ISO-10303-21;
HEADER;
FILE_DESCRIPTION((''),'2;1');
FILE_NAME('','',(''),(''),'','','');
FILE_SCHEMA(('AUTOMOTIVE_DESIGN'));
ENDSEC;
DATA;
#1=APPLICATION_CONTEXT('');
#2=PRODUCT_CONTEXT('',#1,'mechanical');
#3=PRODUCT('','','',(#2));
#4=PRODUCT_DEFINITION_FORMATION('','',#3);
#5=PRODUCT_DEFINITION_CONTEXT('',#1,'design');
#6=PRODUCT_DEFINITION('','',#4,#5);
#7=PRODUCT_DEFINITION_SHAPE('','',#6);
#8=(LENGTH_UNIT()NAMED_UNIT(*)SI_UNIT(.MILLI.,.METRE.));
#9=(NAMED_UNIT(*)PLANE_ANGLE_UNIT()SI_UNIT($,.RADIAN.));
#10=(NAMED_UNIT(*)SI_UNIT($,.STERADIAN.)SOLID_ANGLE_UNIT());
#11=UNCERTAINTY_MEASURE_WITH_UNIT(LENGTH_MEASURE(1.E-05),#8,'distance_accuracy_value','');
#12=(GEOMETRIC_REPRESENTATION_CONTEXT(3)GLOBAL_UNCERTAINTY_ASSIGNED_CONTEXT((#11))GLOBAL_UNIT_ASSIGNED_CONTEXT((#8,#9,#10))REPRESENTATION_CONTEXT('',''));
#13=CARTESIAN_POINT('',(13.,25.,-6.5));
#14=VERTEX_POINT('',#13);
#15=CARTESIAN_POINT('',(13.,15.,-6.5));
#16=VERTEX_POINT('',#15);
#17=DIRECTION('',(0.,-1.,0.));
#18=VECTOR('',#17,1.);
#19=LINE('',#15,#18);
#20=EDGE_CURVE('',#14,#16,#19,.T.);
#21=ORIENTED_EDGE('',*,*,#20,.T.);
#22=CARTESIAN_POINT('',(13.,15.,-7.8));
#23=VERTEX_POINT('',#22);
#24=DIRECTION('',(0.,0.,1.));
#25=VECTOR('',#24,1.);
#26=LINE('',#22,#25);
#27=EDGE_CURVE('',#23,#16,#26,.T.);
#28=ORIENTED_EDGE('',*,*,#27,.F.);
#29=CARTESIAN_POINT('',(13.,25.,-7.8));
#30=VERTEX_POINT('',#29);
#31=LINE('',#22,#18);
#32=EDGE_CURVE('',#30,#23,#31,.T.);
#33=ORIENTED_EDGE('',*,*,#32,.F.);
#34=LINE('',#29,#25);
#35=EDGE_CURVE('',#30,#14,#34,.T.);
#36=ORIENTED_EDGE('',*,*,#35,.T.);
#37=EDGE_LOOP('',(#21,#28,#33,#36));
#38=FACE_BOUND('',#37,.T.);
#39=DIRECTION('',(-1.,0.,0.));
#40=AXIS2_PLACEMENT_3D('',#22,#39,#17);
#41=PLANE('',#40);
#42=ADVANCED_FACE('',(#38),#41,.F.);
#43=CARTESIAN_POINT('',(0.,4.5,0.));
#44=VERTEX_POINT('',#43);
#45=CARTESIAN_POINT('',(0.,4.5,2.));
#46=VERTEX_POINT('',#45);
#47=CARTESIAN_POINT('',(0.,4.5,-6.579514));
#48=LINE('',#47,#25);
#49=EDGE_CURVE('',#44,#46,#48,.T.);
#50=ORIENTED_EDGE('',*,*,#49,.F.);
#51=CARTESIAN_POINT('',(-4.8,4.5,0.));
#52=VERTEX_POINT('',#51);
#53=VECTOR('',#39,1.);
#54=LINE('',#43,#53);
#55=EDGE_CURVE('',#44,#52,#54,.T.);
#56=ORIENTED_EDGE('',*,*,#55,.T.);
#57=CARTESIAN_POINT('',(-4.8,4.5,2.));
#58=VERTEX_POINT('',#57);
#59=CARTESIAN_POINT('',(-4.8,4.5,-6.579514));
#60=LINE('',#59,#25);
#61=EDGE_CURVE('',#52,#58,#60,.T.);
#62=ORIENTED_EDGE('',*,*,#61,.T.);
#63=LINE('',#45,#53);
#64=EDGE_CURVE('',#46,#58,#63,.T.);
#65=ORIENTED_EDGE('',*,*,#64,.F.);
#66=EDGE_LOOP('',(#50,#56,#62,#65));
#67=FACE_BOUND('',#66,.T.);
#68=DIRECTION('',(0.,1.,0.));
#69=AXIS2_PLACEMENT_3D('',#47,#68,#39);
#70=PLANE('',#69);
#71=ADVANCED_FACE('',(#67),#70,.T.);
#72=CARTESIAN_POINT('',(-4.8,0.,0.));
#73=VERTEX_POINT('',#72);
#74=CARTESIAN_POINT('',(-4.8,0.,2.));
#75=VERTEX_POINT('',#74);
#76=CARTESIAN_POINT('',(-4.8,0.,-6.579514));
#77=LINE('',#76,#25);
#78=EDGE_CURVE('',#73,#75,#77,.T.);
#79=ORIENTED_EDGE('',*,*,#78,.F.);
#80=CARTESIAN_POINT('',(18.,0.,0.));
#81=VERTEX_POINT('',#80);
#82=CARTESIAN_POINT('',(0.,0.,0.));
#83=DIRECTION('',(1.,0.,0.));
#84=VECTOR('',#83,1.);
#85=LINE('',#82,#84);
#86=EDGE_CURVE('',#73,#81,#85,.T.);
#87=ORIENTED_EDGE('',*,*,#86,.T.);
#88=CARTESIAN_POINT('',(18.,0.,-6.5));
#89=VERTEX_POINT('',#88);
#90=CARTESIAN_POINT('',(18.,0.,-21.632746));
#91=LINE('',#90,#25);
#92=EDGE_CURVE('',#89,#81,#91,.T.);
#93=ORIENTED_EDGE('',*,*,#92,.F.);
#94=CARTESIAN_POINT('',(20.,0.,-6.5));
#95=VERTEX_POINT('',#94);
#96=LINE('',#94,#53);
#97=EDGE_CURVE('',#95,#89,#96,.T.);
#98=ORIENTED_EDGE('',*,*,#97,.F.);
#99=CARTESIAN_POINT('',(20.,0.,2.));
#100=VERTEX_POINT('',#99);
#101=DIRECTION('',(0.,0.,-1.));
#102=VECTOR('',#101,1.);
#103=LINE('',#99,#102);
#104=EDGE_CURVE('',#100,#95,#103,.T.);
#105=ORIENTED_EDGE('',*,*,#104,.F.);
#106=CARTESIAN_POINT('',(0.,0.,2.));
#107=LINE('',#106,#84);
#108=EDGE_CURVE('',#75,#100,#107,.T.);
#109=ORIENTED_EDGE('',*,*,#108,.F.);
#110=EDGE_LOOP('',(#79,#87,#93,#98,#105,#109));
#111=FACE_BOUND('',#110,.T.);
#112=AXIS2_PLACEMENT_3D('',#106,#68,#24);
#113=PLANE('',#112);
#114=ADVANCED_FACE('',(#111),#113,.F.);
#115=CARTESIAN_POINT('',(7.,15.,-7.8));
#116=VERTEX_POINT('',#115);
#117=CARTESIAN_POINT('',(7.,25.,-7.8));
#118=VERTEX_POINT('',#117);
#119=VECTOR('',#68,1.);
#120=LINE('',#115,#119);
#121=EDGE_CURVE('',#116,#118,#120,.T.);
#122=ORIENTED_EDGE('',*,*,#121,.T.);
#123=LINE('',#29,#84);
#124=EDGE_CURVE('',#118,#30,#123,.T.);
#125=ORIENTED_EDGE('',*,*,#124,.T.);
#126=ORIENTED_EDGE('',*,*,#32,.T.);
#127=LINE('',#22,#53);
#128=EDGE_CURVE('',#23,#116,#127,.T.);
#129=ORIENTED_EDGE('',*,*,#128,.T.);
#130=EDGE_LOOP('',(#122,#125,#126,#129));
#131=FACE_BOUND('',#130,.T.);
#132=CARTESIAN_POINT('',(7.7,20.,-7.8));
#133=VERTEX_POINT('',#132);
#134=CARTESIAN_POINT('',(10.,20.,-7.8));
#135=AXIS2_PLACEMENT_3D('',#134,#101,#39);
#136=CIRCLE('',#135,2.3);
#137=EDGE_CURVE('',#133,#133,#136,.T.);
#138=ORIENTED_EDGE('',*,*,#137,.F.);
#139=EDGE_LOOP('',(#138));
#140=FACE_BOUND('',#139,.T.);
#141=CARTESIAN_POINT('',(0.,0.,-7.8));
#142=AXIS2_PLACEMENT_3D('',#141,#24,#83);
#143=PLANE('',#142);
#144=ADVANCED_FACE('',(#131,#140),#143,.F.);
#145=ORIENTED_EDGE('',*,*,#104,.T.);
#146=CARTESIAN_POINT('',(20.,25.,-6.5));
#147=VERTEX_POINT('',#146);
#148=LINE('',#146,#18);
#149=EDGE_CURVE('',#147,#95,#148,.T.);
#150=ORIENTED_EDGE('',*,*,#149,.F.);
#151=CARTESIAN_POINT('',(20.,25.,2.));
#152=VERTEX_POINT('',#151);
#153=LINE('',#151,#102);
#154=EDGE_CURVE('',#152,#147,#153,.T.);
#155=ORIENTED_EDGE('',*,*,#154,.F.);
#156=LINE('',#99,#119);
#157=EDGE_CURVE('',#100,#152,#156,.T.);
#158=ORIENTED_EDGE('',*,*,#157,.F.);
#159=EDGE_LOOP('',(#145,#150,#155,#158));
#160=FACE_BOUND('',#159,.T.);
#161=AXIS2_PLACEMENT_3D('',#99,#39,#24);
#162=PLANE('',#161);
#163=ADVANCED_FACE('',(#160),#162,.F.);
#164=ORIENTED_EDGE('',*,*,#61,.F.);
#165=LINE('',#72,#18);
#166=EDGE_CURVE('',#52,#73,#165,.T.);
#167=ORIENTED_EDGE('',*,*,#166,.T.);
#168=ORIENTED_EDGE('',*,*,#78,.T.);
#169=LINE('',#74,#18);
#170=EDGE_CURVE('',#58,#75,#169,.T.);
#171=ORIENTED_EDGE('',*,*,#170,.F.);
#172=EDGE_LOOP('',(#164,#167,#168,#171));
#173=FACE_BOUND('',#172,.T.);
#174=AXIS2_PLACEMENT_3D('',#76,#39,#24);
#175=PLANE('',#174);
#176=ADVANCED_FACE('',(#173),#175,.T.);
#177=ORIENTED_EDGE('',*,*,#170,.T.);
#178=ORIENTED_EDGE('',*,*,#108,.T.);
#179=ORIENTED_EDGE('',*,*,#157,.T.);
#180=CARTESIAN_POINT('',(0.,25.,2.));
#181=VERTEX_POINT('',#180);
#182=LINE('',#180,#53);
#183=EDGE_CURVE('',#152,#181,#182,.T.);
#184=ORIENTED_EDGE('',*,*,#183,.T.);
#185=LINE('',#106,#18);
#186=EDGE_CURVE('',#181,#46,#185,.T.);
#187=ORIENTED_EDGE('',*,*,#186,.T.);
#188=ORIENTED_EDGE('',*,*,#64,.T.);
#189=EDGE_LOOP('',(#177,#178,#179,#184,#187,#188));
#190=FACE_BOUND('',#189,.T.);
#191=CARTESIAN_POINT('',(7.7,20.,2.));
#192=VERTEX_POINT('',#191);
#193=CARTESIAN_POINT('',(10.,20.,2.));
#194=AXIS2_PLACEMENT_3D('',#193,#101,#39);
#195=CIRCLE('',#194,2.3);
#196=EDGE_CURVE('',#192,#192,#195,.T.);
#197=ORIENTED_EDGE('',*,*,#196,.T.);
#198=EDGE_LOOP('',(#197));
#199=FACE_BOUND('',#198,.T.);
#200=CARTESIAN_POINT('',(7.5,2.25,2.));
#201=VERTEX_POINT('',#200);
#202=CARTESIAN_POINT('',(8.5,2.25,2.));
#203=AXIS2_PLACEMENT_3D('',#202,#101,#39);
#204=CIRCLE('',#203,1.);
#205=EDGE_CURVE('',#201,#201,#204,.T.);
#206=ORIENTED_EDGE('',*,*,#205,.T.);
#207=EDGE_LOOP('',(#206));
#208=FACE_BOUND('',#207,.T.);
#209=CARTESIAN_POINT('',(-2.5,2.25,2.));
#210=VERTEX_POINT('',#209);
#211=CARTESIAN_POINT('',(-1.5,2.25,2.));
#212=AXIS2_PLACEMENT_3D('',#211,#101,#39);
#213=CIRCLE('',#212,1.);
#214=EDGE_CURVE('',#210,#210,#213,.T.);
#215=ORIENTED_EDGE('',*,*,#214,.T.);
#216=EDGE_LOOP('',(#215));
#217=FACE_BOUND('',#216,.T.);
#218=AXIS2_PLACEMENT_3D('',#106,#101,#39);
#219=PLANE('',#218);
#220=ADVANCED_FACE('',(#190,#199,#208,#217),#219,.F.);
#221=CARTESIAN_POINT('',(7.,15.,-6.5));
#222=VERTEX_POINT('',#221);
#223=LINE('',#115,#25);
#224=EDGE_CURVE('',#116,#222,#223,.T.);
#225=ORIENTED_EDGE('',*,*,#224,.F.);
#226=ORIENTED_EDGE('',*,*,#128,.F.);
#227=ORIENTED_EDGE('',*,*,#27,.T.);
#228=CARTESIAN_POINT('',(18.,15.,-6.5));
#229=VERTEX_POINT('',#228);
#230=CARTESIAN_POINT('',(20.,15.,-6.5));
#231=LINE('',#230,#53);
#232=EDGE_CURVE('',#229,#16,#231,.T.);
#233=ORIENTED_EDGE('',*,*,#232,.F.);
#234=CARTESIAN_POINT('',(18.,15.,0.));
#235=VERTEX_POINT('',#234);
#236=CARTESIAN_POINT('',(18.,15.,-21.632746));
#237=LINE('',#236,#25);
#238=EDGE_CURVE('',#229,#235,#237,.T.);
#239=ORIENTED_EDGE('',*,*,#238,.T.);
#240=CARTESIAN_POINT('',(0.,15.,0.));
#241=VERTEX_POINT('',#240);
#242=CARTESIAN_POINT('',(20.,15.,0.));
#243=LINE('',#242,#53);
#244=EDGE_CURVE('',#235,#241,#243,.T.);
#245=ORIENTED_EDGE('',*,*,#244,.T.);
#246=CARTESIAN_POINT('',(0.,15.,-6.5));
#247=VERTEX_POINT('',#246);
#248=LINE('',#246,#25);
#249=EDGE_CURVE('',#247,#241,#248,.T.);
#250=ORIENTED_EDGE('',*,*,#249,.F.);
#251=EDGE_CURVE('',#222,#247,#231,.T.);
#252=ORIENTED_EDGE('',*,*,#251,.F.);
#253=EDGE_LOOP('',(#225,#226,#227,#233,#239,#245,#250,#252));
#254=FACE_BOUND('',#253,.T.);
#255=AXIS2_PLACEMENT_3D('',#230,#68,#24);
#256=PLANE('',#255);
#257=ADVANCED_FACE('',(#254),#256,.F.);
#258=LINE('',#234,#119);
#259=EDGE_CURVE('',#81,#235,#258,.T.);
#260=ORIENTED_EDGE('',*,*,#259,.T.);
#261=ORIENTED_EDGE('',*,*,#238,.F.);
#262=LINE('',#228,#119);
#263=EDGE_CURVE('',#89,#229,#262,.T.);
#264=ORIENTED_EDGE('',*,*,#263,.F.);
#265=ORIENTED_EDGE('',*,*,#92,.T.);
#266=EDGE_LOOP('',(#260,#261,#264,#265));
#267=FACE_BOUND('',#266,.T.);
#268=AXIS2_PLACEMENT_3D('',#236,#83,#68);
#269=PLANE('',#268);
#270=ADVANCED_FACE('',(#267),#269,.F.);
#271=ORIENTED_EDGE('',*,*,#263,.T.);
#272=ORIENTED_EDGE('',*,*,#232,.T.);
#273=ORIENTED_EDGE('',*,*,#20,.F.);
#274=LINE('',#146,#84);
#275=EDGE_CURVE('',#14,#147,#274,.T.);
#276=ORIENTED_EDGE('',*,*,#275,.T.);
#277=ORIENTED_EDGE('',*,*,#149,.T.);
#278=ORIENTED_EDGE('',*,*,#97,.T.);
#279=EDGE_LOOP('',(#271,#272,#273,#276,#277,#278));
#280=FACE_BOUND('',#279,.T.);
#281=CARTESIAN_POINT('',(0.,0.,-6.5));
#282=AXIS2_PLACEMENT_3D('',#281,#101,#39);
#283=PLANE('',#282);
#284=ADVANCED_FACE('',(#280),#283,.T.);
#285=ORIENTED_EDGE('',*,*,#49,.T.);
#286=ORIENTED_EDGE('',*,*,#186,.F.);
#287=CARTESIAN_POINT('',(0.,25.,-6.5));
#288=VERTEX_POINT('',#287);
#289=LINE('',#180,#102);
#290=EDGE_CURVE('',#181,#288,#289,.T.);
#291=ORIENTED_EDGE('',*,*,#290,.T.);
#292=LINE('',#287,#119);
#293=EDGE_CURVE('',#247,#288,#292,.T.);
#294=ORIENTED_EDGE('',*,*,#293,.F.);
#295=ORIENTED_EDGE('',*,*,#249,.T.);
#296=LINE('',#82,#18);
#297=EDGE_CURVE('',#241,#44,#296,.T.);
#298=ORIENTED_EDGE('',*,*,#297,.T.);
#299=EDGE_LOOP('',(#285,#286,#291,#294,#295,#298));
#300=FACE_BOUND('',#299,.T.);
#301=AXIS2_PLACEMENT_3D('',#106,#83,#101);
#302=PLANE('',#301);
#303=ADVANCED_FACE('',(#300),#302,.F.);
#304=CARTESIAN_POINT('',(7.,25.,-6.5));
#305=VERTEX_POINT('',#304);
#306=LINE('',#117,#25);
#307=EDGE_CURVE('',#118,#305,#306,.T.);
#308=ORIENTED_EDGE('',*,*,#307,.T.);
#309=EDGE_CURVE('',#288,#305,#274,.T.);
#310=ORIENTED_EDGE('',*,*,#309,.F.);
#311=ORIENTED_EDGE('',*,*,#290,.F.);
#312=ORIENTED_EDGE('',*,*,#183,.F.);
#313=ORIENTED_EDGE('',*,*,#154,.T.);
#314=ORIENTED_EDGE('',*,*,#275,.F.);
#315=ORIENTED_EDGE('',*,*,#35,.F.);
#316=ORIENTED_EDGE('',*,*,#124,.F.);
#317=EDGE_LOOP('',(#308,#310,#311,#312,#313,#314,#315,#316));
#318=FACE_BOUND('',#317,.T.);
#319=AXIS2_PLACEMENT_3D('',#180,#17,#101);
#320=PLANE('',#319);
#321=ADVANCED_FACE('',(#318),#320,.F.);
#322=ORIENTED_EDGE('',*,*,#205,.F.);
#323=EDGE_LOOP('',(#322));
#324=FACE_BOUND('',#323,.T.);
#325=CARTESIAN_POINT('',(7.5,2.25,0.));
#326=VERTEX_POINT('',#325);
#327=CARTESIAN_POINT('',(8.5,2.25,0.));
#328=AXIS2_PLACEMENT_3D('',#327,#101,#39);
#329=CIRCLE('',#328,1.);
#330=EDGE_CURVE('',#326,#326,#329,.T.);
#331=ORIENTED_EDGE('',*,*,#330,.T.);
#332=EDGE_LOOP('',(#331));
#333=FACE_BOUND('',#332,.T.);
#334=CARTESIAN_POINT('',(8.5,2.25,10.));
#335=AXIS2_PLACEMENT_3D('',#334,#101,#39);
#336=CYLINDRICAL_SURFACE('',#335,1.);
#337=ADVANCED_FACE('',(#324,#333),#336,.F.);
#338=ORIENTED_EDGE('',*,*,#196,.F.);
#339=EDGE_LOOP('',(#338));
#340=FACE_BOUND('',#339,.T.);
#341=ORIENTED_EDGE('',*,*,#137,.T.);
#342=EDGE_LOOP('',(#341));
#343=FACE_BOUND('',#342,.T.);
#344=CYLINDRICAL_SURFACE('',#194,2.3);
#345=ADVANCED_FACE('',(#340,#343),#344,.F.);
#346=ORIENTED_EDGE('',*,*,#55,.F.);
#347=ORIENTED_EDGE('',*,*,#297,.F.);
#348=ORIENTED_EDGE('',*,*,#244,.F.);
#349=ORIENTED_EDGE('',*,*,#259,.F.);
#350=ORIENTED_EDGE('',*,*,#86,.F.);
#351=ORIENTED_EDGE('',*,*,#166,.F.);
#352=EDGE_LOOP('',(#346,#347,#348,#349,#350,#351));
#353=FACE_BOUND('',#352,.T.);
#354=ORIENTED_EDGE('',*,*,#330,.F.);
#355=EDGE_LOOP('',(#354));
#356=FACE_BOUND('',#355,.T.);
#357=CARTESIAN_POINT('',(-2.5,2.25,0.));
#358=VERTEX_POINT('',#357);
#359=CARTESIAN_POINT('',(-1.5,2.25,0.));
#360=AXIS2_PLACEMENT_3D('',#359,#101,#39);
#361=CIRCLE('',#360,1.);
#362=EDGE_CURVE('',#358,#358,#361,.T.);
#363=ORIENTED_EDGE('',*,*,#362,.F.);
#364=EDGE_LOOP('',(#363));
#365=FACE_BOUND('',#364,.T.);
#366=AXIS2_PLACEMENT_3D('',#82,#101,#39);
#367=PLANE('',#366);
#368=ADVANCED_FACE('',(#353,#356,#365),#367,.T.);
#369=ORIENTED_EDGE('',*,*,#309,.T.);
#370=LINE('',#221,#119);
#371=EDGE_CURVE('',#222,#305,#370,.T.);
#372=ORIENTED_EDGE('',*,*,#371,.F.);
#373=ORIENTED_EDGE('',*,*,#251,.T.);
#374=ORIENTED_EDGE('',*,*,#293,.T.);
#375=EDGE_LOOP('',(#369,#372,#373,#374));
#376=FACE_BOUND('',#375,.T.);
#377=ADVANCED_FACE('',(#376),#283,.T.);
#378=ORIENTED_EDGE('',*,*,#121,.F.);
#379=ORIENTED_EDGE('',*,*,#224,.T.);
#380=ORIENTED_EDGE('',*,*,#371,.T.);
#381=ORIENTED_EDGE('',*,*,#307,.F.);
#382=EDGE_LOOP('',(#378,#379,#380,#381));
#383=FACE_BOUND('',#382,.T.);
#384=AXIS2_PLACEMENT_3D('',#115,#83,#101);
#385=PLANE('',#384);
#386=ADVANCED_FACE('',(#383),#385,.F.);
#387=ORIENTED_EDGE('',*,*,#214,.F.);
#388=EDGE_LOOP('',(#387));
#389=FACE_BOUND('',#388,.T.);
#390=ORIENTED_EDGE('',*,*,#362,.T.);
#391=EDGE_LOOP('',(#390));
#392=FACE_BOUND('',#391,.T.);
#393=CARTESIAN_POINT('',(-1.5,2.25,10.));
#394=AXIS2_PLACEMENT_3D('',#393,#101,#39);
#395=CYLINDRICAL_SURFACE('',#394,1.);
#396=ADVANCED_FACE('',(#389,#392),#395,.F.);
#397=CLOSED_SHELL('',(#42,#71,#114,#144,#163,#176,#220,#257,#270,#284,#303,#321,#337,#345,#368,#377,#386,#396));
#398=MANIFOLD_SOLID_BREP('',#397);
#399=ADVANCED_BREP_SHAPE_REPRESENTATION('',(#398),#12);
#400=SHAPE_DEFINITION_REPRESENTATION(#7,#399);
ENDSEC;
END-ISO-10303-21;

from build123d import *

# Parameters (mm, degrees)
SKETCH1_W               = 20
SKETCH1_H               = 25
BOSS_EXTRUDE1_DEPTH     = 2
SKETCH4_W               = 20
SKETCH4_H               = 10
BOSS_EXTRUDE3_DEPTH     = 6.5
SKETCH9_W               = 6
SKETCH9_H               = 10
BOSS_EXTRUDE6_DEPTH     = 1.3
CUT_EXTRUDE2_DEPTH      = 34.12476415
CUT_EXTRUDE2_DEPTH_BACK = 34.12476415
SKETCH5_R               = 2.3
SKETCH6_W               = 4.8
SKETCH6_H               = 4.5
BOSS_EXTRUDE4_DEPTH     = 2
SKETCH7_R               = 1
CUT_EXTRUDE3_DEPTH      = 10
SKETCH8_W               = 2
SKETCH8_H               = 15
BOSS_EXTRUDE5_DEPTH     = 6.5


with BuildPart() as part:
    # Sketch1 → Boss-Extrude1 (new body)
    with BuildSketch(Plane.XY):
        with Locations((10, 12.5)):
            Rectangle(SKETCH1_W, SKETCH1_H)
    extrude(amount=BOSS_EXTRUDE1_DEPTH)

    # Sketch4 → Boss-Extrude3 (add)
    with BuildSketch(Plane(origin=(0, 0, 0), x_dir=(-1, 0, 0), z_dir=(0, 0, -1))):
        with Locations((-10, 20)):
            Rectangle(SKETCH4_W, SKETCH4_H)
    extrude(amount=BOSS_EXTRUDE3_DEPTH)

    # Sketch9 → Boss-Extrude6 (add)
    with BuildSketch(Plane(origin=(0, 0, -6.5), x_dir=(-1, 0, 0), z_dir=(0, 0, -1))):
        with Locations((-10, 20)):
            Rectangle(SKETCH9_W, SKETCH9_H)
    extrude(amount=BOSS_EXTRUDE6_DEPTH)

    # Sketch5 → Cut-Extrude2 (cut, two sides: drawn at the far end of the back side and taken through both)
    with BuildSketch(Plane(origin=(0, 0, -6.5), x_dir=(-1, 0, 0), z_dir=(0, 0, -1)).offset(-CUT_EXTRUDE2_DEPTH_BACK)):
        with Locations((-10, 20)):
            Circle(SKETCH5_R)
    extrude(amount=CUT_EXTRUDE2_DEPTH + CUT_EXTRUDE2_DEPTH_BACK, mode=Mode.SUBTRACT)

    # Sketch6 → Boss-Extrude4 (add)
    with BuildSketch(Plane.XY.offset(2)):
        with Locations((-2.4, 2.25)):
            Rectangle(SKETCH6_W, SKETCH6_H)
    extrude(amount=-BOSS_EXTRUDE4_DEPTH)

    # Sketch7 → Cut-Extrude3 (cut)
    with BuildSketch(Plane(origin=(0, 0, 0), x_dir=(-1, 0, 0), z_dir=(0, 0, -1))):
        with Locations((1.5, 2.25)):
            Circle(SKETCH7_R)
        with Locations((-8.5, 2.25)):
            Circle(SKETCH7_R)
    extrude(amount=-CUT_EXTRUDE3_DEPTH, mode=Mode.SUBTRACT)

    # Sketch8 → Boss-Extrude5 (add)
    with BuildSketch(Plane(origin=(0, 0, 0), x_dir=(-1, 0, 0), z_dir=(0, 0, -1))):
        with Locations((-19, 7.5)):
            Rectangle(SKETCH8_W, SKETCH8_H)
    extrude(amount=BOSS_EXTRUDE5_DEPTH)


solid = part.part
